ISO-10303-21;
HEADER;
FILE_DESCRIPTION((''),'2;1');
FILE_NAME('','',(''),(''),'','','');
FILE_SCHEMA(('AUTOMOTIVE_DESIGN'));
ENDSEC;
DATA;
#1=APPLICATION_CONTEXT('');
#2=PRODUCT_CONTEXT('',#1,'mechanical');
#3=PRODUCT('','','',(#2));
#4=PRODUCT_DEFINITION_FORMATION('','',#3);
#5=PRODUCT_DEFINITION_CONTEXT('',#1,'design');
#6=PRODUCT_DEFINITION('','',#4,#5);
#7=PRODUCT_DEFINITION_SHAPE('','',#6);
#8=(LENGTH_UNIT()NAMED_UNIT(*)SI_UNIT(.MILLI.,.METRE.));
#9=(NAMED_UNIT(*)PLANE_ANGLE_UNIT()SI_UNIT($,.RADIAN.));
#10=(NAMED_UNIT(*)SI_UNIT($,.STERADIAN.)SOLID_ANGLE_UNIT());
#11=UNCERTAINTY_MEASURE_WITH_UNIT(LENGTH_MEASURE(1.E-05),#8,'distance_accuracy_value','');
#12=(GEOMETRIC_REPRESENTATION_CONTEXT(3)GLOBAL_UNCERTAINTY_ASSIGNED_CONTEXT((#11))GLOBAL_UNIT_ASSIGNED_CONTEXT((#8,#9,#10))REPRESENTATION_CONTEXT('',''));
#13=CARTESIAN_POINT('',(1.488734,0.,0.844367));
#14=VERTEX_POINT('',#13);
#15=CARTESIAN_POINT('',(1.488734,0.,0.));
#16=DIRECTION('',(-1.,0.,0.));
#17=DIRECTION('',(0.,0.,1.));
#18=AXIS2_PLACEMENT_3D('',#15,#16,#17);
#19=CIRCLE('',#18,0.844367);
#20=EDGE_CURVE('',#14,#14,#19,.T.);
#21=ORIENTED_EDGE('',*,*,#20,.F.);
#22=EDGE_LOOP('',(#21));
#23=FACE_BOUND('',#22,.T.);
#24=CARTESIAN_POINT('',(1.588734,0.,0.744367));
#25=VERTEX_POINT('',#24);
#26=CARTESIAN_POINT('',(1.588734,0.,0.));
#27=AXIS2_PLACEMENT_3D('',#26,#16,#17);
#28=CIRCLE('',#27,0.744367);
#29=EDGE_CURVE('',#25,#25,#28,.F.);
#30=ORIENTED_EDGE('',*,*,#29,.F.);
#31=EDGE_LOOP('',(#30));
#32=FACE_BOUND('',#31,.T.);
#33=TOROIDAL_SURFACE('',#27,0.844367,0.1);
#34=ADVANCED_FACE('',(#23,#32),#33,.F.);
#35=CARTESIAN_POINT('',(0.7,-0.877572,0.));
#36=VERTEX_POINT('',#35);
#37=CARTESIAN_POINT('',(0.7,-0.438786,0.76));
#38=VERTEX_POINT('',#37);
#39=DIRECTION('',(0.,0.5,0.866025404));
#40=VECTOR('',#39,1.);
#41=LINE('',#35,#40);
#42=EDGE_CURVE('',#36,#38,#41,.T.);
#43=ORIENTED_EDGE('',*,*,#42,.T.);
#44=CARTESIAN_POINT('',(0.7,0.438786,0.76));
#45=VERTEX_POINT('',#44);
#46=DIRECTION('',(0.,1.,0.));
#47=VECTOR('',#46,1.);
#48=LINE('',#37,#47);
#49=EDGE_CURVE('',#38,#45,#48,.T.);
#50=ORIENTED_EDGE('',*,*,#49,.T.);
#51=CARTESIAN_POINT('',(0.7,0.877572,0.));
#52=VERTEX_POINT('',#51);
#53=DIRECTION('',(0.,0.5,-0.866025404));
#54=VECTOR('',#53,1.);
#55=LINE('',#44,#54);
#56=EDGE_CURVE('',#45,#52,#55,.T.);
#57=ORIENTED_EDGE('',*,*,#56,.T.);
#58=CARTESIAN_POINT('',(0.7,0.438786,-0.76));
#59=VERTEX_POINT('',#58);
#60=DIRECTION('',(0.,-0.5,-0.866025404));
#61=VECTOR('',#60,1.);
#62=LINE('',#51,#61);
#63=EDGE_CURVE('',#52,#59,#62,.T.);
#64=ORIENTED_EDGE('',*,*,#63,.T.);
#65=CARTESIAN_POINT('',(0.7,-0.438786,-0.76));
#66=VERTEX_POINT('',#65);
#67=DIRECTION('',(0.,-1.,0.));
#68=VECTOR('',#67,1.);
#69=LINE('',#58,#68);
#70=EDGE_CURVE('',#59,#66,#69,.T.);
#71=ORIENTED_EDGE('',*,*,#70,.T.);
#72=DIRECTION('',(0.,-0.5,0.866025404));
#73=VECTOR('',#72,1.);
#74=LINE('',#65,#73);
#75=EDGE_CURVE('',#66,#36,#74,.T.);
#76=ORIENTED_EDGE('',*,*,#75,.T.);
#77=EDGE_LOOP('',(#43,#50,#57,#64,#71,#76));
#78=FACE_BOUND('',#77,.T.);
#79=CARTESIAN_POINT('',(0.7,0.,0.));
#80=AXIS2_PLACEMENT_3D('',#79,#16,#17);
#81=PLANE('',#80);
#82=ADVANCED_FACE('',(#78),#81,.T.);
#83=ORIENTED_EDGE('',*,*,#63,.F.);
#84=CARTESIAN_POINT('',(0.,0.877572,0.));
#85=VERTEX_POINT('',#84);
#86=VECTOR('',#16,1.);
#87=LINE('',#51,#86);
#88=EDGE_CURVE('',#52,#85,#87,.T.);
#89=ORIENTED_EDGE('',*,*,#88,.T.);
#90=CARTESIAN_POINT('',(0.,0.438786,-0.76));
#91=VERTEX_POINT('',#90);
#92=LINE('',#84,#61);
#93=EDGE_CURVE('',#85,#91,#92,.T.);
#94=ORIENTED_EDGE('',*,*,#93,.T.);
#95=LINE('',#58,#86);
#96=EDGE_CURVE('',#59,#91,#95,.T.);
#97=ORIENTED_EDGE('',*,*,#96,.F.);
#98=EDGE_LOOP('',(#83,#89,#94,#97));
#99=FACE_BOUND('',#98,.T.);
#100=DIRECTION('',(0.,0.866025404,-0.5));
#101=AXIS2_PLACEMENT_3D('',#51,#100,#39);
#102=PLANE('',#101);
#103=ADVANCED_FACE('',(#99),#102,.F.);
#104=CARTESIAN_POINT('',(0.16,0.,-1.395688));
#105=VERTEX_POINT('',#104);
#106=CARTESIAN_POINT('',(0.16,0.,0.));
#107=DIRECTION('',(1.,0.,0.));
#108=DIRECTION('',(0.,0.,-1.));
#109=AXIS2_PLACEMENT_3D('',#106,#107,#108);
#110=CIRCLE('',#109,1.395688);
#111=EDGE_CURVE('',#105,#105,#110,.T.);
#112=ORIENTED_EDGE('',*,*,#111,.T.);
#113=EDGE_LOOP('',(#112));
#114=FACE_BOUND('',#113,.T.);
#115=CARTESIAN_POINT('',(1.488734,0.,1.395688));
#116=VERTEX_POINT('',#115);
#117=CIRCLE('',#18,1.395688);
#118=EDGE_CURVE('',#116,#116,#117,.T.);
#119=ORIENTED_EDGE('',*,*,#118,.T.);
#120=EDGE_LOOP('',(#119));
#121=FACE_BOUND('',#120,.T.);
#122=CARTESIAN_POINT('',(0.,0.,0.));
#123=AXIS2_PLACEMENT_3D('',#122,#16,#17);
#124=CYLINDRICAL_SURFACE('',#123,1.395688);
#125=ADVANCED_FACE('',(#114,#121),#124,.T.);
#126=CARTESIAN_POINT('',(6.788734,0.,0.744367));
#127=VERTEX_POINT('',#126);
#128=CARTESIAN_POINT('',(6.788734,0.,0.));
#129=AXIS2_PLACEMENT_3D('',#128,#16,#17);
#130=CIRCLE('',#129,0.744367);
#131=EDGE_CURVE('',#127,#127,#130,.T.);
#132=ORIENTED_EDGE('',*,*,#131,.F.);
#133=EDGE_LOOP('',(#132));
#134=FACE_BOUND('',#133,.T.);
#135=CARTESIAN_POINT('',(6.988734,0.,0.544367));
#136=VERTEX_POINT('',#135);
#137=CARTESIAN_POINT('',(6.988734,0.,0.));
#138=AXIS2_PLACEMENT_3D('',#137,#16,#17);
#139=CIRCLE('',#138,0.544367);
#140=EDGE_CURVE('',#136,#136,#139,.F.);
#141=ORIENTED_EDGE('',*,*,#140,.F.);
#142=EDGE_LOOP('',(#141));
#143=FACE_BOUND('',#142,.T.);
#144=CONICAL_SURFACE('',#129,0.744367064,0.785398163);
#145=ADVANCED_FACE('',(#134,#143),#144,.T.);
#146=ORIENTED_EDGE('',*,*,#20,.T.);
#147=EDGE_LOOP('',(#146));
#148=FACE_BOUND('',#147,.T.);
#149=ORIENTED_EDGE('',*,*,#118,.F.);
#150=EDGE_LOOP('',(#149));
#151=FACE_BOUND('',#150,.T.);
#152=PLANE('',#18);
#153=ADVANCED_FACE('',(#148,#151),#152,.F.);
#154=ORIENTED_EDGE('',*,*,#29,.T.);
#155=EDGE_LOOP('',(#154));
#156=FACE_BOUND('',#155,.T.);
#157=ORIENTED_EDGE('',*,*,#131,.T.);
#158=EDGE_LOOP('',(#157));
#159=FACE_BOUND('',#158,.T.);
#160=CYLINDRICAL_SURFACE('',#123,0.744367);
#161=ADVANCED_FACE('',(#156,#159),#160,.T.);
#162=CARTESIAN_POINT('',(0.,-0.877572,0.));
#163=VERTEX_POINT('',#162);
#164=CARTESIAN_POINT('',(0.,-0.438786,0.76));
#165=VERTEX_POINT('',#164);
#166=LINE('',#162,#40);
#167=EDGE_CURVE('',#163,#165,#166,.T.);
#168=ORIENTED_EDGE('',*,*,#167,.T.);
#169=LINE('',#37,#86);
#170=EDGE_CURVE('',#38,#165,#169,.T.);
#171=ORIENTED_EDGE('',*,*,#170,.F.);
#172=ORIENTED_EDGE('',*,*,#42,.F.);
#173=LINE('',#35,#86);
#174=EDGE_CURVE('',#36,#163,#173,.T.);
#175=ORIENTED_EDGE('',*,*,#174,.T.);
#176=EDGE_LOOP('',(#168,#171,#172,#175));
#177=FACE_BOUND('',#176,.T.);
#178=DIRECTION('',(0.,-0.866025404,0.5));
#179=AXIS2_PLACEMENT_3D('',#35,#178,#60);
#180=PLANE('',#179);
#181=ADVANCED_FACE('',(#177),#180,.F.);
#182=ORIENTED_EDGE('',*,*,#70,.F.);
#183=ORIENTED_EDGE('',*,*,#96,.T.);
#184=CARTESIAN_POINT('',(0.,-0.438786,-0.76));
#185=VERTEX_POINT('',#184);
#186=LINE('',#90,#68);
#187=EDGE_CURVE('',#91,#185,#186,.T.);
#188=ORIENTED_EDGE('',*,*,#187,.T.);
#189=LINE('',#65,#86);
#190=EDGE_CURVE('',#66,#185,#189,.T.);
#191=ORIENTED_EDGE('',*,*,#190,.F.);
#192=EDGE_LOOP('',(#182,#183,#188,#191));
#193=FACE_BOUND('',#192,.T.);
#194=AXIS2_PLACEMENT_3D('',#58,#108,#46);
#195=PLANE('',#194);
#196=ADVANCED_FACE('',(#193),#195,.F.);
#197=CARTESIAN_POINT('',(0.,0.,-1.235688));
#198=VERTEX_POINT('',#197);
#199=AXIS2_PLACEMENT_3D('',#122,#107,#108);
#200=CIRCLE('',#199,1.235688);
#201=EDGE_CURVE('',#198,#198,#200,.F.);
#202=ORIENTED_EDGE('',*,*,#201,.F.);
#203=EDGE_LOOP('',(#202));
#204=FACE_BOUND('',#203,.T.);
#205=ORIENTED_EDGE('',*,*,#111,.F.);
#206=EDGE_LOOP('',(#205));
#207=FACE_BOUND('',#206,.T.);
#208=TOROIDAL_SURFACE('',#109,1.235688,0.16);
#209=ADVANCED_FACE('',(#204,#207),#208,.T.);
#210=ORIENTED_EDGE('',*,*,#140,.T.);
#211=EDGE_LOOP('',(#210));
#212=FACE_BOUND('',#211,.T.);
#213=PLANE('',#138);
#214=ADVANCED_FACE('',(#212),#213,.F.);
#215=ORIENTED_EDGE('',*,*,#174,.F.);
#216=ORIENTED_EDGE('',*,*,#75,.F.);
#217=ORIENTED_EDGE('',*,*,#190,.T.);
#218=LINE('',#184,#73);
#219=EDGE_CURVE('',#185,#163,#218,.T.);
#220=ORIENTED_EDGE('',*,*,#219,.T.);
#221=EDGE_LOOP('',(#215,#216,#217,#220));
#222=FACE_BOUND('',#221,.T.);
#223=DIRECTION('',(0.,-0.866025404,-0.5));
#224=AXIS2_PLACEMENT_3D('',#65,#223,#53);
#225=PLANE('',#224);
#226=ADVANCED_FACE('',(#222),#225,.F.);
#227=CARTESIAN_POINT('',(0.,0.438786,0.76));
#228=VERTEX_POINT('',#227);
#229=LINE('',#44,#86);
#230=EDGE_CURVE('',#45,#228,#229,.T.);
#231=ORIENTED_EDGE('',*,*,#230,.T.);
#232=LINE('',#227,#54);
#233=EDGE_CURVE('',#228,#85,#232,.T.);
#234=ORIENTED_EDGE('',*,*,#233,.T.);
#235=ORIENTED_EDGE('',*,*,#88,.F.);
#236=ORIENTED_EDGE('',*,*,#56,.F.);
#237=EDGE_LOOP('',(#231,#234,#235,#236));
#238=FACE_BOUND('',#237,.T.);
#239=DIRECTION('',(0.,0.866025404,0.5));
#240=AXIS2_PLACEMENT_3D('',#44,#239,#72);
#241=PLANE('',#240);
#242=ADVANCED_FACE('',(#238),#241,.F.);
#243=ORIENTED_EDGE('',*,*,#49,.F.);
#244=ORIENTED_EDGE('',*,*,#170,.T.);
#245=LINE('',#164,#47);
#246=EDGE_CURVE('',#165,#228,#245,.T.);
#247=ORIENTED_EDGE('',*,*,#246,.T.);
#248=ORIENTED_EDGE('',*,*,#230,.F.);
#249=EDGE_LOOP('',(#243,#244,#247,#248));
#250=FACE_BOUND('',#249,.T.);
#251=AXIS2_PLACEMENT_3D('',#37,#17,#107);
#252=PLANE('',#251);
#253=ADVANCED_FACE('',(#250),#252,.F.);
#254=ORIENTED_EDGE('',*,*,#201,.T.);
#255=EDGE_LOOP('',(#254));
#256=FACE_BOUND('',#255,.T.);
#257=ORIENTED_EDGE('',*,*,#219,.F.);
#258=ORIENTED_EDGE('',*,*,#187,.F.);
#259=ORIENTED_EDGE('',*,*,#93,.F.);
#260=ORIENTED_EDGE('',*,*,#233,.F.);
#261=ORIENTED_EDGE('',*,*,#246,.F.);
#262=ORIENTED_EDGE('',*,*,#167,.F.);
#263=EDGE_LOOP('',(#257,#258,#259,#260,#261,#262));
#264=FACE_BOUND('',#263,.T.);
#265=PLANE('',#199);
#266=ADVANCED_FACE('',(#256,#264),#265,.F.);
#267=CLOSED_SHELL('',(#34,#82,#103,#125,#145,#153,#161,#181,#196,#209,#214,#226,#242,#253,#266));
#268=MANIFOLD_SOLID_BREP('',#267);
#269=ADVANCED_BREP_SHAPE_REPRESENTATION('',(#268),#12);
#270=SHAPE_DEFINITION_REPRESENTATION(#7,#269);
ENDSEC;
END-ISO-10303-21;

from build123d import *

# Parameters (mm, degrees)
FILLET1_R      = 0.1
FILLET2_R      = 0.16
CHAMFER1_SIZE  = 0.2
EXTRUDE1_DEPTH = 0.7


with BuildPart() as part:
    # Sketch1 → Revolve1 (revolve)
    with BuildSketch(Plane.XY, mode=Mode.PRIVATE) as revolve1_sk:
        Polygon((0, 1.395688245), (0, 0), (6.988734128, 0), (6.988734128, 0.744367064), (1.488734128, 0.744367064), (1.488734128, 1.395688245), align=None)
    revolve(revolve1_sk.sketch.rotate(Axis((0, 0, 0), (1, 0, 0)), 90), axis=Axis((0, 0, 0), (1, 0, 0)))

    # Fillet1
    fillet1_edges = [part.edges().sort_by_distance(p)[0] for p in [
        (1.488734128, 0, -0.744367064),
    ]]
    fillet(fillet1_edges, radius=FILLET1_R)

    # Fillet2
    fillet2_edges = [part.edges().sort_by_distance(p)[0] for p in [
        (0, 0, -1.395688245),
    ]]
    fillet(fillet2_edges, radius=FILLET2_R)

    # Chamfer1
    chamfer1_edges = [part.edges().sort_by_distance(p)[0] for p in [
        (6.988734128, 0, -0.744367064),
    ]]
    chamfer(chamfer1_edges, length=CHAMFER1_SIZE)

    # Sketch2 → Extrude1 (cut)
    with BuildSketch(Plane.ZY):
        Polygon((0, 0.877572409), (-0.76, 0.438786205), (-0.76, -0.438786205), (0, -0.877572409), (0.76, -0.438786205), (0.76, 0.438786205), align=None)
    extrude(amount=-EXTRUDE1_DEPTH, mode=Mode.SUBTRACT)


solid = part.part
